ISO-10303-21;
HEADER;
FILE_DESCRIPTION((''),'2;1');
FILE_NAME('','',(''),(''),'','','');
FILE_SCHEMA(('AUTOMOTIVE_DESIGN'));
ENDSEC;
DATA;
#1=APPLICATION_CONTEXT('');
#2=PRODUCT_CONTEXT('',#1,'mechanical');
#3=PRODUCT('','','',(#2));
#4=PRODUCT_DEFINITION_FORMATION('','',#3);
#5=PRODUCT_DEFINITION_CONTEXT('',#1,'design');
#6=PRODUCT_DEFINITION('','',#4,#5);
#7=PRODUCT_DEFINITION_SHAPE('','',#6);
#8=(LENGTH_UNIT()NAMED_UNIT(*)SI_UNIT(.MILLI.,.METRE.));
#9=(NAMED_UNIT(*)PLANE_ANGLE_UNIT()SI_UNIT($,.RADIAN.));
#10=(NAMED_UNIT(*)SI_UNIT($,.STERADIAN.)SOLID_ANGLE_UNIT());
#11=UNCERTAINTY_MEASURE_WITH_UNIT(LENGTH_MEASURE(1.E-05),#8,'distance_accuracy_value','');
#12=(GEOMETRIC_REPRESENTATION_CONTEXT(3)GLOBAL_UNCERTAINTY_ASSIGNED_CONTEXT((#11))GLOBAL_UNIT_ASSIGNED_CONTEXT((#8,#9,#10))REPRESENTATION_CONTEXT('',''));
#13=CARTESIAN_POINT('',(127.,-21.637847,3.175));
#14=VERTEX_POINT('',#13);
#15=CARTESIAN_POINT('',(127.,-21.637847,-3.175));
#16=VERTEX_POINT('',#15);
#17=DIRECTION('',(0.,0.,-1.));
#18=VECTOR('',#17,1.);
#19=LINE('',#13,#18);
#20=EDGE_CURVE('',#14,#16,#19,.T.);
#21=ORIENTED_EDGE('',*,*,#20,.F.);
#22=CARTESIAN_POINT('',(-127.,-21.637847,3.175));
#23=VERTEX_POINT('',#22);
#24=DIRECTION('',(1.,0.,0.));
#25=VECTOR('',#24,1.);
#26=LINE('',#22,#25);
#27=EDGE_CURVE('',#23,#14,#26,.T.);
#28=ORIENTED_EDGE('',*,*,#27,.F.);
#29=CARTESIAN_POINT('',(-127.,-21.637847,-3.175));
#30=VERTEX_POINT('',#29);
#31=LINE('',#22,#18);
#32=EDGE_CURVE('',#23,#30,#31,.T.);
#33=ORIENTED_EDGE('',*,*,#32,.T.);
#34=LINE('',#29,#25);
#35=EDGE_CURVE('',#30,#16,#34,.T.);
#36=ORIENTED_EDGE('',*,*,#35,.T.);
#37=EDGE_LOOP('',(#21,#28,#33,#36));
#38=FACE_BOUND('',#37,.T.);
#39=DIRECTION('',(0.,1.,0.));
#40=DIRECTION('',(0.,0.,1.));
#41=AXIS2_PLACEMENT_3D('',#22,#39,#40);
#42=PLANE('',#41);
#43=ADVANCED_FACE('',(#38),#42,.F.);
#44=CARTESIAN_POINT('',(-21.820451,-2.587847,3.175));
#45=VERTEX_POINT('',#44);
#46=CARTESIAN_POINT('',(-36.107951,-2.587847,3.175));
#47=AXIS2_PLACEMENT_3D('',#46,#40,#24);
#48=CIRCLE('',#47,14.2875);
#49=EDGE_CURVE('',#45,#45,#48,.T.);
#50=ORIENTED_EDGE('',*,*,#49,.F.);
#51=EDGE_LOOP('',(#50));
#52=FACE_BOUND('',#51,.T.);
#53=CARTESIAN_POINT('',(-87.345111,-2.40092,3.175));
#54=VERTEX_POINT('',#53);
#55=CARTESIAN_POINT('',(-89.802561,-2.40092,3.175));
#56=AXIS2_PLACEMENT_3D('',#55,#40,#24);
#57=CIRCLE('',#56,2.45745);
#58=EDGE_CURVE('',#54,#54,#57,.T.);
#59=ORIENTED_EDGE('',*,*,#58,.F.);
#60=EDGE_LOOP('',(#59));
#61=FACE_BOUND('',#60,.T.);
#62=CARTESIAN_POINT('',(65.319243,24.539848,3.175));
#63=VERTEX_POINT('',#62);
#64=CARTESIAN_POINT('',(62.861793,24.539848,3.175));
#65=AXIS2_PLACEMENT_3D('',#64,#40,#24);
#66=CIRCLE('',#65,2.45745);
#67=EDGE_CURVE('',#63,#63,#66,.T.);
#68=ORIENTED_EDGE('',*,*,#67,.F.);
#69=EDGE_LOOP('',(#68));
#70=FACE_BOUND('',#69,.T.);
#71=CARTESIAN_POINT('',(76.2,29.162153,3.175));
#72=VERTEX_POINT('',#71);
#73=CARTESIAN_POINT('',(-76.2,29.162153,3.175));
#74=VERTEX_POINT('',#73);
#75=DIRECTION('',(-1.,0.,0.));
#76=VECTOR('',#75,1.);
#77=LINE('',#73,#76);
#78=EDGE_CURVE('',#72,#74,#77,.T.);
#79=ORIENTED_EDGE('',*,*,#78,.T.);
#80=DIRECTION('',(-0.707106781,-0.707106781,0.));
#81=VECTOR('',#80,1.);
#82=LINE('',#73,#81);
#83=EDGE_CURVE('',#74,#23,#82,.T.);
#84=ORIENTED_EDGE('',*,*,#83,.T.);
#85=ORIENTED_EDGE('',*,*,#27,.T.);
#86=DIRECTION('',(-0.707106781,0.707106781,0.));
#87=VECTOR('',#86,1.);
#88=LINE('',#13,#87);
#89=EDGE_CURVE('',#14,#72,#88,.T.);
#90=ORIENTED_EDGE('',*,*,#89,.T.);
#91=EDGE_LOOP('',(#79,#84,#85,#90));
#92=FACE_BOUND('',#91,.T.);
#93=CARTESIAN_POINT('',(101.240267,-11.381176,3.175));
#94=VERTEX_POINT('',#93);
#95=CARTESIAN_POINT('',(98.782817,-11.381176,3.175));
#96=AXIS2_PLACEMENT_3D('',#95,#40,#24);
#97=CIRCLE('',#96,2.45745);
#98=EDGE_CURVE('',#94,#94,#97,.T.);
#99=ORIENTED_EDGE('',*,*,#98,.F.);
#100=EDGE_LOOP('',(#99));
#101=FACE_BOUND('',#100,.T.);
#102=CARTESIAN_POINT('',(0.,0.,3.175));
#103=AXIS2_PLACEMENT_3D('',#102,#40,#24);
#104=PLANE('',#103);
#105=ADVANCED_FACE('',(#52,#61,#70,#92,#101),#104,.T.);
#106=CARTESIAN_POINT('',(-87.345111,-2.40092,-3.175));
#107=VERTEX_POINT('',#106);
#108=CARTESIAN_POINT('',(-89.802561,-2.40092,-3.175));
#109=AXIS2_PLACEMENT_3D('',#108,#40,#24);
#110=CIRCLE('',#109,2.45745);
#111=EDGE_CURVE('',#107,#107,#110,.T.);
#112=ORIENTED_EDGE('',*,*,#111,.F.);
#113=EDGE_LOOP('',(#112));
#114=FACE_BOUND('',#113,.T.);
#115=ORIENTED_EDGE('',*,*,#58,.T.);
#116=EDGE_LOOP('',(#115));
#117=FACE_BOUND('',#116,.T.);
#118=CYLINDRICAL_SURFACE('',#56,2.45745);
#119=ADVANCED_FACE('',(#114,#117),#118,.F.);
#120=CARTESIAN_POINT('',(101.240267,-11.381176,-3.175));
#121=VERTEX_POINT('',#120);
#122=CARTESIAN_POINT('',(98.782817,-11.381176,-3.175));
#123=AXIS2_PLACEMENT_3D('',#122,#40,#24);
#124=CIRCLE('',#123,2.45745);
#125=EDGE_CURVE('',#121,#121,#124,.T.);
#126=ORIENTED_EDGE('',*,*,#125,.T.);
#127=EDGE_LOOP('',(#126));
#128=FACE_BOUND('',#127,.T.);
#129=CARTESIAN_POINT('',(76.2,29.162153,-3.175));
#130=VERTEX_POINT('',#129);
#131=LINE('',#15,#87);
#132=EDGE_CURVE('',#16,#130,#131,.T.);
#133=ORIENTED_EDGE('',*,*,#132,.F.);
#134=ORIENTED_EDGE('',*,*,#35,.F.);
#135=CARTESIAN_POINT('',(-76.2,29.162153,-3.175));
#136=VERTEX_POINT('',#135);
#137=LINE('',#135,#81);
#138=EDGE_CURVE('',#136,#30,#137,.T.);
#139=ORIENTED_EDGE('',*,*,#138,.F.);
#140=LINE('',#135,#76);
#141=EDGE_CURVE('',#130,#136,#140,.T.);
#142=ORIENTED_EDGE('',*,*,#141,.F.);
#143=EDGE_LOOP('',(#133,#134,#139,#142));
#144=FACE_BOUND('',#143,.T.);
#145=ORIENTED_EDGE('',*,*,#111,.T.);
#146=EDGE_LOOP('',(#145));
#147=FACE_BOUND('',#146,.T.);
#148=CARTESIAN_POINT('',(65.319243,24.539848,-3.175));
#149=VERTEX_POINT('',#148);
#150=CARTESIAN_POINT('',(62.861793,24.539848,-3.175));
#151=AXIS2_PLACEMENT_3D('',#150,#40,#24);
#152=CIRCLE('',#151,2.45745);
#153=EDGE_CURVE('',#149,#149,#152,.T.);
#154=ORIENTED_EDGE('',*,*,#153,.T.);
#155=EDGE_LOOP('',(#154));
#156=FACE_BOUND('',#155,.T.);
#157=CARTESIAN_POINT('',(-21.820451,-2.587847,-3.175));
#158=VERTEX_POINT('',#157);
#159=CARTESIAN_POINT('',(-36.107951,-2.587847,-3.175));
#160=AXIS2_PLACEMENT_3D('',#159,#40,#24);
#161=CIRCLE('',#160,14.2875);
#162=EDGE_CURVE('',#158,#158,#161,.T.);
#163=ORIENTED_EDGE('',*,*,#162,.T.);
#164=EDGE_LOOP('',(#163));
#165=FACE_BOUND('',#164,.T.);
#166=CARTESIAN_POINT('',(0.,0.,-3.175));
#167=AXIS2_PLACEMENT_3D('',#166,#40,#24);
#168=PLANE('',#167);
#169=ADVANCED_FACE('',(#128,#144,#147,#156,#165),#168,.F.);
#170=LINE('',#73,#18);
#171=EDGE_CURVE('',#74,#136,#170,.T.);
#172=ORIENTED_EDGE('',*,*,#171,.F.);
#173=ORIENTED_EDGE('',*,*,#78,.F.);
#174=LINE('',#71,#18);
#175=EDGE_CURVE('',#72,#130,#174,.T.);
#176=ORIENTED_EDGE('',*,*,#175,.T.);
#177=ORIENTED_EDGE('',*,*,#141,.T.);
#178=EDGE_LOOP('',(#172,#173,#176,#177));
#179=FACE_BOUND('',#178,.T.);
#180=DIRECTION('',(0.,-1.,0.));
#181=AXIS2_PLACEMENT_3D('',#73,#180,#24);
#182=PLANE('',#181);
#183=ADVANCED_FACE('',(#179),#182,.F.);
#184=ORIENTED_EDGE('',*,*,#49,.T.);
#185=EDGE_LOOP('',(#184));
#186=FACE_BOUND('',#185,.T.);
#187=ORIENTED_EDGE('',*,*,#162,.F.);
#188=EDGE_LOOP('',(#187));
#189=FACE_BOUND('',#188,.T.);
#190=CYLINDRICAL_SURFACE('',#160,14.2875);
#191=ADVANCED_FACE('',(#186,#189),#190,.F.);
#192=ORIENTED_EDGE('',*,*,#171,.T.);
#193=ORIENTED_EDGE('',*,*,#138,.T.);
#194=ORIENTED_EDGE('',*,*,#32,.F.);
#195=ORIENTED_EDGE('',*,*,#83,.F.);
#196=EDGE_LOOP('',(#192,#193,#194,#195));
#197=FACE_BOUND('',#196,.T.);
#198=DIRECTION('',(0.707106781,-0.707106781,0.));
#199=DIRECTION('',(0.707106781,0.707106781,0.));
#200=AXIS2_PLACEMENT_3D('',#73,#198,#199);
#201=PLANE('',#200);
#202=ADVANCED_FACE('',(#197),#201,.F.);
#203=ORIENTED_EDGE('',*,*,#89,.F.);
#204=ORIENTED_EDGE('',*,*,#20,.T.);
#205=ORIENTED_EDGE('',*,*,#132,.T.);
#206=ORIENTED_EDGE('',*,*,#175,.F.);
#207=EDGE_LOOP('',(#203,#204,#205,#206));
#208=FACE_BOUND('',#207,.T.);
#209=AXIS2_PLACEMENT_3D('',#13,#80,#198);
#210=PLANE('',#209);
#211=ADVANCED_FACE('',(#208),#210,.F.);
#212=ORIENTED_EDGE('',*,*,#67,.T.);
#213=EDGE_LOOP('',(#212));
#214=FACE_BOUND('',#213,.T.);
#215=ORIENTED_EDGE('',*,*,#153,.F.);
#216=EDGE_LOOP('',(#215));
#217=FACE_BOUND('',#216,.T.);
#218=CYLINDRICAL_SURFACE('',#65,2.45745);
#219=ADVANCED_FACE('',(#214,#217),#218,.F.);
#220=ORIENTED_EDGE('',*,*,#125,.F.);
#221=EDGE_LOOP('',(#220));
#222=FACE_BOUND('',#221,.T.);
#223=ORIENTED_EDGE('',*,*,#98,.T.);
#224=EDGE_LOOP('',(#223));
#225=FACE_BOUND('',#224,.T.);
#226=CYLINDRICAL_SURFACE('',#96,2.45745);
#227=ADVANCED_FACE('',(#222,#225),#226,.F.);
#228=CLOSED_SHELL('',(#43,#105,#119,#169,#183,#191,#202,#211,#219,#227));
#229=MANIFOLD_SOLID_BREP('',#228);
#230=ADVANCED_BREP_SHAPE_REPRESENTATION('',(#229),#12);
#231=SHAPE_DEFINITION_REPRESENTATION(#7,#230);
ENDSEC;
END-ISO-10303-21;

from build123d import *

# Parameters (mm, degrees)
BOSS_EXTRUDE1_DEPTH          = 3.175
SKETCH2_R                    = 14.2875
CUT_EXTRUDE1_DEPTH           = 131.459778054
F_10_0_1935_DIAMETER_HOLE2_D = 4.9149


with BuildPart() as part:
    # Sketch1 → Boss-Extrude1 (new, symmetric)
    with BuildSketch(Plane.XY):
        Polygon((-76.2, 29.162153383), (-127, -21.637846617), (127, -21.637846617), (76.2, 29.162153383), align=None)
    extrude(amount=BOSS_EXTRUDE1_DEPTH, both=True)

    # Sketch2 → Cut-Extrude1 (cut, through all)
    with BuildSketch(Plane.XY.offset(3.175)):
        with Locations((-36.107951031, -2.587846617)):
            Circle(SKETCH2_R)
    extrude(amount=-CUT_EXTRUDE1_DEPTH, mode=Mode.SUBTRACT)

    # #10 (0.1935) Diameter Hole2 (through all)
    with Locations(Plane(origin=(62.861792847, 24.539848294, 3.175), x_dir=(1, 0, 0), z_dir=(0, 0, 1))):
        with Locations((0, 0), (35.921024485, -35.921024485), (-152.664354058, -26.940768364)):
            Hole(F_10_0_1935_DIAMETER_HOLE2_D / 2)


solid = part.part
